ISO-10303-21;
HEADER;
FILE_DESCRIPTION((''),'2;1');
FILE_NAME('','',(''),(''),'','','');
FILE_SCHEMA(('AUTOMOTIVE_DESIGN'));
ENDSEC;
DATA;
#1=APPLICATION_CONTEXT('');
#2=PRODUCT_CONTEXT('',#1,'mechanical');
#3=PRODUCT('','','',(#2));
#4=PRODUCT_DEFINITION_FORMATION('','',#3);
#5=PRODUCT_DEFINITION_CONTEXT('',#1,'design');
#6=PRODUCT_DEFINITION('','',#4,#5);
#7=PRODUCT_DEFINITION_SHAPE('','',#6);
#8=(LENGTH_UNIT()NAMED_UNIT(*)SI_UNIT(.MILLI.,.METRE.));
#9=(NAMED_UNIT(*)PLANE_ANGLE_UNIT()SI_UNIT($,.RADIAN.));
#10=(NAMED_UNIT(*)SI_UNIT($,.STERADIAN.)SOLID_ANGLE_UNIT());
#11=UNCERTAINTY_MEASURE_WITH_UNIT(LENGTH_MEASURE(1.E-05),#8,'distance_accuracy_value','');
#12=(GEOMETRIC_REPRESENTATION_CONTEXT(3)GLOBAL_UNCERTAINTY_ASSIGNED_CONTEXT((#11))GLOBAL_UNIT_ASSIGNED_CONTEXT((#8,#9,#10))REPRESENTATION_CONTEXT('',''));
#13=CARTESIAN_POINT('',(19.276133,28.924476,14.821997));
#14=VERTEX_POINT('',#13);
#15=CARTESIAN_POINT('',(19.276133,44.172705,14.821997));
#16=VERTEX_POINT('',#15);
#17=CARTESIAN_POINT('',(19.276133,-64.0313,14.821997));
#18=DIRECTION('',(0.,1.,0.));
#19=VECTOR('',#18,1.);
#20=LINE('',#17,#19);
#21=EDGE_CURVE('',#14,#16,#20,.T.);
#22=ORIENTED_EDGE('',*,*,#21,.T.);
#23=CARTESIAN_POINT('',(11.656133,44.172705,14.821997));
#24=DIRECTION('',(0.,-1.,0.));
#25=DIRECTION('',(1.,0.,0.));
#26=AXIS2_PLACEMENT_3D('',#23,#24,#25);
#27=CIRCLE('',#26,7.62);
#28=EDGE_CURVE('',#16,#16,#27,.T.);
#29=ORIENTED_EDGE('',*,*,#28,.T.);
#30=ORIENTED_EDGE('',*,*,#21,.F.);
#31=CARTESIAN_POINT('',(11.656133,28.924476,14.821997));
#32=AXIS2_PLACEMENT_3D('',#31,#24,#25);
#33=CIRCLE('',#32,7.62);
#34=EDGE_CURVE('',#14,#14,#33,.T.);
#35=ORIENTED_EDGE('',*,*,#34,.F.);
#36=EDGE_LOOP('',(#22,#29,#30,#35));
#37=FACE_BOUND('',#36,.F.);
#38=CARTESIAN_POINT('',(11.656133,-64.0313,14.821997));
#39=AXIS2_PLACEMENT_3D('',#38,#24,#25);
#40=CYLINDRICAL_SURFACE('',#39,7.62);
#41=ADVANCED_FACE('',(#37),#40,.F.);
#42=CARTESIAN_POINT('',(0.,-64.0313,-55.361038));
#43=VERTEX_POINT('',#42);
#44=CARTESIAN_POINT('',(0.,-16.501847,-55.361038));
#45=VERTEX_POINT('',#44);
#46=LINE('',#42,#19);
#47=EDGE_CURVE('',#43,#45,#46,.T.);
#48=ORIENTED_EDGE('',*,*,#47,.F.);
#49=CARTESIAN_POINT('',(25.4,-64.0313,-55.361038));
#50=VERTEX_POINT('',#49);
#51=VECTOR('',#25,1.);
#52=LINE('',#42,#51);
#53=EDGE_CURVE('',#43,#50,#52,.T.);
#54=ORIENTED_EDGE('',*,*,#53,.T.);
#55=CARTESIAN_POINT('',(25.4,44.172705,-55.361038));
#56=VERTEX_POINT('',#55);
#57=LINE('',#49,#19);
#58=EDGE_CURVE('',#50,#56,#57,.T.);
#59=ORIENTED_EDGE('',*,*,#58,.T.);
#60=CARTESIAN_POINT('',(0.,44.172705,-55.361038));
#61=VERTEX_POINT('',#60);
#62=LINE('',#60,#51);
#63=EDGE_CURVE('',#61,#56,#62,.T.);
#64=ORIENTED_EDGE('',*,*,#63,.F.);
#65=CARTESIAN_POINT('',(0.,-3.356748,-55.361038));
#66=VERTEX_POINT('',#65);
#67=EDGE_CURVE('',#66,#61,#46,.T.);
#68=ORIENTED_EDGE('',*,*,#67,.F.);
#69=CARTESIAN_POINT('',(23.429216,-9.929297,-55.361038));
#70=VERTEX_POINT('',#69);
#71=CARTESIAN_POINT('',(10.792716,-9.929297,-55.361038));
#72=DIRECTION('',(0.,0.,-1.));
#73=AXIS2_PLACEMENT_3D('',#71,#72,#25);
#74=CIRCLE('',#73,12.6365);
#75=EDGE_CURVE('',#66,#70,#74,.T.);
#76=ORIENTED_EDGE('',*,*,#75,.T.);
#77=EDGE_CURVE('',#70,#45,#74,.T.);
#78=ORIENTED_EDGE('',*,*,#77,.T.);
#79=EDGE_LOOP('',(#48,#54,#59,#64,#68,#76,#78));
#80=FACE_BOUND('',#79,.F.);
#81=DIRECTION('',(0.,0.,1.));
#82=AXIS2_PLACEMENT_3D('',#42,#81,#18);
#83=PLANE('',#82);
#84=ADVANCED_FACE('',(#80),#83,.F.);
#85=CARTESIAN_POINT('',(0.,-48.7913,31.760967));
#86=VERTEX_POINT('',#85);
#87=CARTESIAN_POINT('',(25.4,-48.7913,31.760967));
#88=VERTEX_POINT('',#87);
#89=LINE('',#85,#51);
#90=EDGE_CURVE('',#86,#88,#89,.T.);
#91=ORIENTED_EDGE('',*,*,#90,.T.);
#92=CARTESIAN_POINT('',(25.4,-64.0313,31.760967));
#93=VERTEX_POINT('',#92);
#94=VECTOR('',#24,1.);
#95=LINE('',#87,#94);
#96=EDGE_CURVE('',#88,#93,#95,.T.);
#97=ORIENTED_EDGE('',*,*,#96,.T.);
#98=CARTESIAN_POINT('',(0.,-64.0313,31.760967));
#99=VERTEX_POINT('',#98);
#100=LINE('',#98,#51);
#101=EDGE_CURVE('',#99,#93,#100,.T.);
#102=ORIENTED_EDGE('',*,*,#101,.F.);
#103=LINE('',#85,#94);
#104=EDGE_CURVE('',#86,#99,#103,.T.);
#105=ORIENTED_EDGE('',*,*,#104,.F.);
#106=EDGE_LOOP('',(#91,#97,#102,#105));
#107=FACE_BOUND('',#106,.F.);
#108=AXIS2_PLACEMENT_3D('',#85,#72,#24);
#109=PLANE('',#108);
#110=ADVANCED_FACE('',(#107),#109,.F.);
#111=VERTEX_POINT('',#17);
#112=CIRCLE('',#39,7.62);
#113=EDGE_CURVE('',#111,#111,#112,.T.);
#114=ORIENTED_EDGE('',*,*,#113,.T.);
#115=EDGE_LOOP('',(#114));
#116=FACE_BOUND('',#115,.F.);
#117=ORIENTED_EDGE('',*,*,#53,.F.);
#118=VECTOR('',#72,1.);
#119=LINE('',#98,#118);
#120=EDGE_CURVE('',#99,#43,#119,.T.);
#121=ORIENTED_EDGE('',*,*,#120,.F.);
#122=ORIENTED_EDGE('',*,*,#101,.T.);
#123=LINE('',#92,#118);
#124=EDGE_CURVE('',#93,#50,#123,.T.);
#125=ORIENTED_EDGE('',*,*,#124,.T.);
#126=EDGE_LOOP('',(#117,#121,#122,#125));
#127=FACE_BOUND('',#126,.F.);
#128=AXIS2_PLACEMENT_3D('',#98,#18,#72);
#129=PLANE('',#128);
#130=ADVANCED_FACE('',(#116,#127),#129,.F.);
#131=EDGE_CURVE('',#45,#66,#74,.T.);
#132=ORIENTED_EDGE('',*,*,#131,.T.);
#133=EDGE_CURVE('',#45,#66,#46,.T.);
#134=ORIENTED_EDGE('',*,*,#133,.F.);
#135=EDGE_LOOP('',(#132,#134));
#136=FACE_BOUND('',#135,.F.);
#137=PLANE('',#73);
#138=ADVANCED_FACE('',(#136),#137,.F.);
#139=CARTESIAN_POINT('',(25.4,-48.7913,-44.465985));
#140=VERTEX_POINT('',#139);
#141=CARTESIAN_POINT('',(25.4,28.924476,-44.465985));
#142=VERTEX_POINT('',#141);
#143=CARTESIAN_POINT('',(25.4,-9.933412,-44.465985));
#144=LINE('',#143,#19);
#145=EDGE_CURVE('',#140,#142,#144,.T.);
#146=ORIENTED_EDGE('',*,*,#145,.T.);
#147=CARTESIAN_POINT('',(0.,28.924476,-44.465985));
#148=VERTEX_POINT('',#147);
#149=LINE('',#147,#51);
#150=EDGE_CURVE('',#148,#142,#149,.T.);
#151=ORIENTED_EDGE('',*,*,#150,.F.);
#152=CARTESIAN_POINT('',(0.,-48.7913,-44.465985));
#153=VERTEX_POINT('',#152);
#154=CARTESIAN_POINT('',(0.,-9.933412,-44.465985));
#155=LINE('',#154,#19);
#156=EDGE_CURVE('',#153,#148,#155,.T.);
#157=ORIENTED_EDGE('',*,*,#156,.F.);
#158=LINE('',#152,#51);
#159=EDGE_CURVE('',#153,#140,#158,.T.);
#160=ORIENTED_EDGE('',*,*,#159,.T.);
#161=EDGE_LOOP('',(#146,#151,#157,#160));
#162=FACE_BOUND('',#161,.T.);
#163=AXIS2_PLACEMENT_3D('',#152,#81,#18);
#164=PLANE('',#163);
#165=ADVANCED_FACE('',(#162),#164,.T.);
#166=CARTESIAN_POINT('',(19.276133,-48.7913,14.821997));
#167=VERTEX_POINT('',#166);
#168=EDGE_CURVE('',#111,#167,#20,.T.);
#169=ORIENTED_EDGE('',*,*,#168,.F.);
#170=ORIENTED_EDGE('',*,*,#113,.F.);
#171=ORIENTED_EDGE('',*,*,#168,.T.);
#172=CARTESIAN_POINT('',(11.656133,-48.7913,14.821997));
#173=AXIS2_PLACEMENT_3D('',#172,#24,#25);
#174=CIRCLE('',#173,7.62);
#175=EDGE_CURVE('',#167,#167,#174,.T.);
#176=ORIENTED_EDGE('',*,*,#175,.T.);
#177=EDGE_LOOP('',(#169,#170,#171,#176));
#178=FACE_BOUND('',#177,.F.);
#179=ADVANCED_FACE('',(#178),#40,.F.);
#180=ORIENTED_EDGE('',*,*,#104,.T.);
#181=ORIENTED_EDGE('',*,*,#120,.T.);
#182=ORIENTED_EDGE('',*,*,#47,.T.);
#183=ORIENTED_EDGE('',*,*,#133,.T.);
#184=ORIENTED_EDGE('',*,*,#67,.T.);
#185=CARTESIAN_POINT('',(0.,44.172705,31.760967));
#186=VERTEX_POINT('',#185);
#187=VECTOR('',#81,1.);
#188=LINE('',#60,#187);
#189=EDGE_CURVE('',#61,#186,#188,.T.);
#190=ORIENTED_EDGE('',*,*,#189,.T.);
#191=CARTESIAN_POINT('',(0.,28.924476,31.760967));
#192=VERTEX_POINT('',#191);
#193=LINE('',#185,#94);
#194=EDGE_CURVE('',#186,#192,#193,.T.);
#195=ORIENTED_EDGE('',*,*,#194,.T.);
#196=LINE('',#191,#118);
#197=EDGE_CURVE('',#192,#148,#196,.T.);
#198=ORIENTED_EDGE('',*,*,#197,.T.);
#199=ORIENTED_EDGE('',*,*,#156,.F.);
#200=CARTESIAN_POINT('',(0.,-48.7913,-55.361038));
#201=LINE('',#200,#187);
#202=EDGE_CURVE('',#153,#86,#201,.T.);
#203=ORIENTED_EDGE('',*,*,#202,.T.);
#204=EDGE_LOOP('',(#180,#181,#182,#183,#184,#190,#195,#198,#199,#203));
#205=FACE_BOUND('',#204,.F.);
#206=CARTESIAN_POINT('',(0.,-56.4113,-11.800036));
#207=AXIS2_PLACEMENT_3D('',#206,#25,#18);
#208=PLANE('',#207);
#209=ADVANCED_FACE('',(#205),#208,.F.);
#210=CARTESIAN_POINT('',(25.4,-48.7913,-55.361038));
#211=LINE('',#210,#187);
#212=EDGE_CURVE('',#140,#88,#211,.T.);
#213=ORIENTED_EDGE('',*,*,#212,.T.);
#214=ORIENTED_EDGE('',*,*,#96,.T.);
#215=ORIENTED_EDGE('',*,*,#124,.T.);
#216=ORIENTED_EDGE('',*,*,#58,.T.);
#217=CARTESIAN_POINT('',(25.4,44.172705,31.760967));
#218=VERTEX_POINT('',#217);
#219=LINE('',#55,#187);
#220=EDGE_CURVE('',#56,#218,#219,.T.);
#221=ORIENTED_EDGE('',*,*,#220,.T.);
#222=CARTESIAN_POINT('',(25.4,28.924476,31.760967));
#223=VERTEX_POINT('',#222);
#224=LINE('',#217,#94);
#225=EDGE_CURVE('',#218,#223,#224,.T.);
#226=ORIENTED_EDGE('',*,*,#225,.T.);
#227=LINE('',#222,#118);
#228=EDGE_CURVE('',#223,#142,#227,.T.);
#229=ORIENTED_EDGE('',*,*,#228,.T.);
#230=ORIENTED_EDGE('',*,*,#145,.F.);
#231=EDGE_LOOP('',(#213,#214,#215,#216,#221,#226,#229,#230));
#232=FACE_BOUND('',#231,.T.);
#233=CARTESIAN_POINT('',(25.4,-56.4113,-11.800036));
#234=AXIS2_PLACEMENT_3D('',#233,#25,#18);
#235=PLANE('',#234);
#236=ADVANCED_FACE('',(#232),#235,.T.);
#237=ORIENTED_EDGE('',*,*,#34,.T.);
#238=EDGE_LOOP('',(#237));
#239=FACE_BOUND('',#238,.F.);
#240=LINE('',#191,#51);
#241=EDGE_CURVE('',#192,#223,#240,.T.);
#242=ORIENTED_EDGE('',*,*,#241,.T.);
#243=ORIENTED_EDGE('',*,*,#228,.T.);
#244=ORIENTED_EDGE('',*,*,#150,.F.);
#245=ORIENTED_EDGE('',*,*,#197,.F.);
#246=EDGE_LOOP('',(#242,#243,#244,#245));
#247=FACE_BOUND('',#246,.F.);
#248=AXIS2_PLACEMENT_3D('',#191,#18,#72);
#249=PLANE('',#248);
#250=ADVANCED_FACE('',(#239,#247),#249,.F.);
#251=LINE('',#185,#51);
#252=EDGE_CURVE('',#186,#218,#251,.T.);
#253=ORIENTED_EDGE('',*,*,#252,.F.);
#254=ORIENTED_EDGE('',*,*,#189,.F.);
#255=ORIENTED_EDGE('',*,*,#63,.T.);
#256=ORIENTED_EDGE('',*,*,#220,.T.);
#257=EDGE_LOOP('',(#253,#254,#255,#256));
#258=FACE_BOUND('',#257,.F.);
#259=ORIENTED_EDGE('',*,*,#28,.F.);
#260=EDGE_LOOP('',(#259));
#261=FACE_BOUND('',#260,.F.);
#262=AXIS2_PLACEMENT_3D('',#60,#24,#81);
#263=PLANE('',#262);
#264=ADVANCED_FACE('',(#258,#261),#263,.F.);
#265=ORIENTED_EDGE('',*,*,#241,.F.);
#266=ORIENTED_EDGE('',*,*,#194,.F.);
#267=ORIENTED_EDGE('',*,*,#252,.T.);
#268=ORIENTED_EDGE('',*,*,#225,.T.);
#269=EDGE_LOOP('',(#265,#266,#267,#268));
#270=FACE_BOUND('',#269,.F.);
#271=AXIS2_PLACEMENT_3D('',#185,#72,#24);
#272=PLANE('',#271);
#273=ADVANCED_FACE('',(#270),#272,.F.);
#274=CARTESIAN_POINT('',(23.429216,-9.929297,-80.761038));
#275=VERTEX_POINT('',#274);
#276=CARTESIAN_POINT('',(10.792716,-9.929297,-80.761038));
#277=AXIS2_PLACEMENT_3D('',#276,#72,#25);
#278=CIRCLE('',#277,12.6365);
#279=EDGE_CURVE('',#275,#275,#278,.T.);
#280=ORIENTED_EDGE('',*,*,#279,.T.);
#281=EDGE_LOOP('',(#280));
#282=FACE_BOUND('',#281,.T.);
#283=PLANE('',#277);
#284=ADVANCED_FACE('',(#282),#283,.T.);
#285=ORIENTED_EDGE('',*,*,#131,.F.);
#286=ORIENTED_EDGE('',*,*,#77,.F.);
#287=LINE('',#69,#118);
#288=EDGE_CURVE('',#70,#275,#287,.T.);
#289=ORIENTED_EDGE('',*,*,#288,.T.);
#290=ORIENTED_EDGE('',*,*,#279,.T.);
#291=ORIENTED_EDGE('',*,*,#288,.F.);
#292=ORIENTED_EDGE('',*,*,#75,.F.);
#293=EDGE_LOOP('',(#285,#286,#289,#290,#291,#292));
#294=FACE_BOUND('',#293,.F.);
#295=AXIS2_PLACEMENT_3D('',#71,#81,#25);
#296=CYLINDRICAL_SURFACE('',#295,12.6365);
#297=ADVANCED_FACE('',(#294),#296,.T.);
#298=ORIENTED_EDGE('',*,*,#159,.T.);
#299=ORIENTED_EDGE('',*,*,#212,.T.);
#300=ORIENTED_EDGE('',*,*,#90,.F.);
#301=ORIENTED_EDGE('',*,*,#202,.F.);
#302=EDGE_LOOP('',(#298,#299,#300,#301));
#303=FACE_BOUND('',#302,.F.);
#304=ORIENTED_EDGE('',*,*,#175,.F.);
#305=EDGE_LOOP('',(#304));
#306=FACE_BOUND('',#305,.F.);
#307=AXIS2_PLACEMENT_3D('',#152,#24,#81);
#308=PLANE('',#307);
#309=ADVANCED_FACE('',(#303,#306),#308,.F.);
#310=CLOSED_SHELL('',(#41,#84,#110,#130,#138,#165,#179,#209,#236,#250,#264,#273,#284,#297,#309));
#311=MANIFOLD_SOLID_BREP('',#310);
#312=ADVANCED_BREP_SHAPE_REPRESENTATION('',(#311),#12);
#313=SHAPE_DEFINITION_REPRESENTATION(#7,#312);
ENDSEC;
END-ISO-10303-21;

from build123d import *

# Parameters (mm, degrees)
F0_W     = 77.7157761486
F0_H     = 10.8950532058
F1_DEPTH = 25.4
F2_R     = 7.62
F3_DEPTH = 127
F4_R     = 12.6365
F5_DEPTH = 25.4


with BuildPart() as f1:
    # F0 (on Right) → F1 (new body)
    with BuildSketch(Plane.YZ):
        Polygon((-48.7912997933, 31.7609666863), (-64.0312997933, 31.7609666863), (-64.0312997933, -55.3610383549), (-48.7912997933, -55.3610383549), (-48.7912997933, -44.4659851491), align=None)
        Polygon((28.9244763553, 31.7609666863), (28.9244763553, -44.4659851491), (28.9244763553, -55.3610383549), (44.1727048095, -55.3610383549), (44.1727048095, 31.7609666863), align=None)
        with Locations((-9.933411719, -49.913511752)):
            Rectangle(F0_W, F0_H)
    extrude(amount=F1_DEPTH)

    # F2 (on face) → F3 (cut)
    with BuildSketch(Plane.XZ.offset(64.0312997933)):
        with Locations((11.656133458, 14.8219969124)):
            Circle(F2_R)
    extrude(amount=-F3_DEPTH, mode=Mode.SUBTRACT)

    # F4 (on face) → F5 (join)
    with BuildSketch(Plane(origin=(0, 0, -55.3610383549), x_dir=(1, 0, 0), z_dir=(0, 0, -1))):
        with Locations((10.7927164063, 9.9292974919)):
            Circle(F4_R)
    extrude(amount=F5_DEPTH)


solid = f1.part
